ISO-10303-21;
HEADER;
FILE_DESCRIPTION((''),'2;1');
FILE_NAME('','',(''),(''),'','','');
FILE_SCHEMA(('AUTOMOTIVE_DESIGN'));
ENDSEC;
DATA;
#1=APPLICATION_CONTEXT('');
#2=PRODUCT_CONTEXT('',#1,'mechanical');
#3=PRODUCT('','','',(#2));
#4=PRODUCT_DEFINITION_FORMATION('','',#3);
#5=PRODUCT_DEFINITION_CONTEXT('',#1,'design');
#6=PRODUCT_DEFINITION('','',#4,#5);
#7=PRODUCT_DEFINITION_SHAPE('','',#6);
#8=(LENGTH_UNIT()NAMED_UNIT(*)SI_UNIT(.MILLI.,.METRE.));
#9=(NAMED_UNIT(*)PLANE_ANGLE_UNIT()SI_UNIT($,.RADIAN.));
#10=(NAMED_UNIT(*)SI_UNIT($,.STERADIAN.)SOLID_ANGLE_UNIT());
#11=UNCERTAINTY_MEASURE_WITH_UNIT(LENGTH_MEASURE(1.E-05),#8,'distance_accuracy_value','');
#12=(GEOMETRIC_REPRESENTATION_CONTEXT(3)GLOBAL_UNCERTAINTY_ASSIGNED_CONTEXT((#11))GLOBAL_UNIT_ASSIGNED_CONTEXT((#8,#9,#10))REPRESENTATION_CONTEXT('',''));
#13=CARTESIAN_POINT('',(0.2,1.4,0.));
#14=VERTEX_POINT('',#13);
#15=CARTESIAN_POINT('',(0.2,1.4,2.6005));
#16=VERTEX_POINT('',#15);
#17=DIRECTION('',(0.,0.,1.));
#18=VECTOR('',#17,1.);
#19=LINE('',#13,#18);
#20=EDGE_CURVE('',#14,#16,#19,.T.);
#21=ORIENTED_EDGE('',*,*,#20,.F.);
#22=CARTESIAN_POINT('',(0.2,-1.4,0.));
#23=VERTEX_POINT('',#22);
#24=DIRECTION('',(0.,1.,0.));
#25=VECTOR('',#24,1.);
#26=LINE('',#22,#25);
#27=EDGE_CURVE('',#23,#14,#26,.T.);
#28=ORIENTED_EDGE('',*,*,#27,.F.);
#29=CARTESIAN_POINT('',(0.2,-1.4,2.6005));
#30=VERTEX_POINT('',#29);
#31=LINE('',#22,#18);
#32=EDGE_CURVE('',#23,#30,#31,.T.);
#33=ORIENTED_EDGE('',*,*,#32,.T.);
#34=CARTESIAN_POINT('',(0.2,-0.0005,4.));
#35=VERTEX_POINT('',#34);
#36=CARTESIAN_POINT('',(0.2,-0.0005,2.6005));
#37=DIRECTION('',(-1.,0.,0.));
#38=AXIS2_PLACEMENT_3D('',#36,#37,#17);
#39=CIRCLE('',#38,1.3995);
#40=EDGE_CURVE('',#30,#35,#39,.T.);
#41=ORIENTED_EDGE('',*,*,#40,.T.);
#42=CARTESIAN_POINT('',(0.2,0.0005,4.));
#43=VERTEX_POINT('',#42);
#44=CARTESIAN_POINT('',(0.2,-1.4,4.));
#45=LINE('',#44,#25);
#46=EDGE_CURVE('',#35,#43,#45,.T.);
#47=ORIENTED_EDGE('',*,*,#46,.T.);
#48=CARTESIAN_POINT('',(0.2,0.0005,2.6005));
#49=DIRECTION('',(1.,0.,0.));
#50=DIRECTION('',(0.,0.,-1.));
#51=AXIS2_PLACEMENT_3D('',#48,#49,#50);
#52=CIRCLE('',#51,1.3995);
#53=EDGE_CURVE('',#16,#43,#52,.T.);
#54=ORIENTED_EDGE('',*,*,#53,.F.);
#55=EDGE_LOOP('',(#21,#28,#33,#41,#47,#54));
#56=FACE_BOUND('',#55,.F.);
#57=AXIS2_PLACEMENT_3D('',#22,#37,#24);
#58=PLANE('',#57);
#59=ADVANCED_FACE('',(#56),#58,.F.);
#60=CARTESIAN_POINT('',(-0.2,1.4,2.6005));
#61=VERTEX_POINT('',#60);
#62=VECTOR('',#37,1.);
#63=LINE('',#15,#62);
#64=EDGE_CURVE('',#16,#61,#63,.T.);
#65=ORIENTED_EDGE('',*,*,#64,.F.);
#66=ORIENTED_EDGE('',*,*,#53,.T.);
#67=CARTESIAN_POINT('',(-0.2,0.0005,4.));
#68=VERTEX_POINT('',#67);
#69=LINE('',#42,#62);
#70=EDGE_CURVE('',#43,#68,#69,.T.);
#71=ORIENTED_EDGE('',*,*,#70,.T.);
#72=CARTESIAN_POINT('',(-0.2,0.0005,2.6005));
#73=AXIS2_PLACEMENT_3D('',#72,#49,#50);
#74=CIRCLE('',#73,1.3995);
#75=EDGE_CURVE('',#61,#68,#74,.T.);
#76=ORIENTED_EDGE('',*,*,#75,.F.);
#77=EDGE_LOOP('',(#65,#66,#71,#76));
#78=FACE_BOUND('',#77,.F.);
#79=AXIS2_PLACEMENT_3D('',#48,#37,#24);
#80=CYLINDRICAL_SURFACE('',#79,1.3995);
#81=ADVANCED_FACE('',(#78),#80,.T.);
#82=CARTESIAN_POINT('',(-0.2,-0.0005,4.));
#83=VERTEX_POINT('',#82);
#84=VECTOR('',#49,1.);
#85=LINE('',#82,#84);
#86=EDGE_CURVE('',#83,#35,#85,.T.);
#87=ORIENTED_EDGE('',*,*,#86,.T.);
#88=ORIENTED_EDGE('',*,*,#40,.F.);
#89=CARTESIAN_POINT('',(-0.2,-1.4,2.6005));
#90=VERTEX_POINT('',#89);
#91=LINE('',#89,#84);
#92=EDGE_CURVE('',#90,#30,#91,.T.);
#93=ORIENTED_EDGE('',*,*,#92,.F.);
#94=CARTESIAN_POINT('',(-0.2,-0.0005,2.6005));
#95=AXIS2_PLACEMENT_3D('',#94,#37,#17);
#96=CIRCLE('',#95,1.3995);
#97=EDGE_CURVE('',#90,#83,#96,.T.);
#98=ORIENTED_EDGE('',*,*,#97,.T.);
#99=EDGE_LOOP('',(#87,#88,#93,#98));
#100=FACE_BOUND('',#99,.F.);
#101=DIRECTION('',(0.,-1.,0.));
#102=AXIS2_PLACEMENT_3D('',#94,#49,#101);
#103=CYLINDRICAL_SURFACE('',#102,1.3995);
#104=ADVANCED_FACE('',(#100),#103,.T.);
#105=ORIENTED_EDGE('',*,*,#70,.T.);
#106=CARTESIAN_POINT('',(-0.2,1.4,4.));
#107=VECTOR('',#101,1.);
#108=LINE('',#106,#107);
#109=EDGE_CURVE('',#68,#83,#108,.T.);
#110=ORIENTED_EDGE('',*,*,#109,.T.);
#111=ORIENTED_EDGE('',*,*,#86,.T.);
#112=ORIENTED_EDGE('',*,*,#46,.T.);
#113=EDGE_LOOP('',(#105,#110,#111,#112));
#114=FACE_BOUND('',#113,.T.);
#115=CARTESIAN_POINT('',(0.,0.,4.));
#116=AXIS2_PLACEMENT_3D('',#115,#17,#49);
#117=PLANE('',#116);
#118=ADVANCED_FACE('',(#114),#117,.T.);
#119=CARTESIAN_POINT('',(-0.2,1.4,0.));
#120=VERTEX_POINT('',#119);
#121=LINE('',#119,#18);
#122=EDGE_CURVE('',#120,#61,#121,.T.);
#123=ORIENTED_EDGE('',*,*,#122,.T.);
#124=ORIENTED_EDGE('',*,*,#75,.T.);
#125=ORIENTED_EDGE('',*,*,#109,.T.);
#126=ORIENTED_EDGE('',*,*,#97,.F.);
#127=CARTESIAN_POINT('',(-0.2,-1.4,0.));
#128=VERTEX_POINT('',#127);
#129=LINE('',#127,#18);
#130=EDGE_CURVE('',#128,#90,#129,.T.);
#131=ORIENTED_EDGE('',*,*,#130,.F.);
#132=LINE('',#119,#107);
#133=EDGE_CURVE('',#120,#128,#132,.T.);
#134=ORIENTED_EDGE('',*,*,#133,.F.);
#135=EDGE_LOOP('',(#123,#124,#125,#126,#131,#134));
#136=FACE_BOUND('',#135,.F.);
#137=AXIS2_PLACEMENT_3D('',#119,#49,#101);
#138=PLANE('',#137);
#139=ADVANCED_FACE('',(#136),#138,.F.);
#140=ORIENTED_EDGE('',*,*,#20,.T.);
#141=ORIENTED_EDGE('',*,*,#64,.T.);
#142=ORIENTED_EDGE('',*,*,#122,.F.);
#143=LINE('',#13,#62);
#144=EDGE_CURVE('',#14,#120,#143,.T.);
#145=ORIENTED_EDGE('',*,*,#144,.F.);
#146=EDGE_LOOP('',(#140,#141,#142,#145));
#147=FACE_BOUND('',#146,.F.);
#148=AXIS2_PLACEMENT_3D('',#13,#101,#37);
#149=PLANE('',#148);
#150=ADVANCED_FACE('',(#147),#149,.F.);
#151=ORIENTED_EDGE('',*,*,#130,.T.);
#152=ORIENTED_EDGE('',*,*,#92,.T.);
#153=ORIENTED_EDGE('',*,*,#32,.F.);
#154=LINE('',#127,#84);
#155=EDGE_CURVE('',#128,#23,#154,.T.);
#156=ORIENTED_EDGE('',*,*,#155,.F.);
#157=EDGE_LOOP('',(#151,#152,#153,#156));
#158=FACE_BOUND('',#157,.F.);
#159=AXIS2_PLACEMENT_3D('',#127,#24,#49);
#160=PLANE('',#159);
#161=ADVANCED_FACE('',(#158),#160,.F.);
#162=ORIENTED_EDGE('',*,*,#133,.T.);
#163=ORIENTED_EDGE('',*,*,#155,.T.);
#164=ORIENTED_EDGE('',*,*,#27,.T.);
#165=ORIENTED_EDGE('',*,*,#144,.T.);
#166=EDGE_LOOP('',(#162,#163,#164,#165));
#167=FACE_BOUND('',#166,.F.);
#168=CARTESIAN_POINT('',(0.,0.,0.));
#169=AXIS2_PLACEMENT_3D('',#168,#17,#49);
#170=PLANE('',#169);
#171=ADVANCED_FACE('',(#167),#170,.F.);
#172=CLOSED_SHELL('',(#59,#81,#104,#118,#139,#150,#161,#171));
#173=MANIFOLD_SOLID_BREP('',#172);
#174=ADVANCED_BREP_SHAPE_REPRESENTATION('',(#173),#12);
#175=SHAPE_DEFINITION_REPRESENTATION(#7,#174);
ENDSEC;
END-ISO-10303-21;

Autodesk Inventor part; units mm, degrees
ref_plane "YZ Plane" through (0, 0, 0) normal (1, 0, 0) x (0, 1, 0)
ref_plane "XZ Plane" through (0, 0, 0) normal (0, 1, 0) x (-1, 0, 0)
ref_plane "XY Plane" through (0, 0, 0) normal (0, 0, 1) x (1, 0, 0)
sketch "Sketch1" plane through (0, 0, 0) normal (0, 0, 1) x (1, 0, 0)
  line L0 (-0.2, -1.4) -> (0.2, -1.4)
  line L1 (0.2, -1.4) -> (0.2, 1.4)
  line L2 (0.2, 1.4) -> (-0.2, 1.4)
  line L3 (-0.2, 1.4) -> (-0.2, -1.4)
  line L4 (-0.2, -1.4) -> (0.2, 1.4) construction
  line L5 (0.2, -1.4) -> (-0.2, 1.4) construction
  point P0 (0, 0)
  dimension "d0" = 0.4
  dimension "d1" = 2.8
extrude "Extrusion1" add sketch "Sketch1" along normal blind 4
fillet "Fillet1" radius 1.4 2 edges at (0, -1.4, 4) (0, 1.4, 4)
properties material "Copper"
